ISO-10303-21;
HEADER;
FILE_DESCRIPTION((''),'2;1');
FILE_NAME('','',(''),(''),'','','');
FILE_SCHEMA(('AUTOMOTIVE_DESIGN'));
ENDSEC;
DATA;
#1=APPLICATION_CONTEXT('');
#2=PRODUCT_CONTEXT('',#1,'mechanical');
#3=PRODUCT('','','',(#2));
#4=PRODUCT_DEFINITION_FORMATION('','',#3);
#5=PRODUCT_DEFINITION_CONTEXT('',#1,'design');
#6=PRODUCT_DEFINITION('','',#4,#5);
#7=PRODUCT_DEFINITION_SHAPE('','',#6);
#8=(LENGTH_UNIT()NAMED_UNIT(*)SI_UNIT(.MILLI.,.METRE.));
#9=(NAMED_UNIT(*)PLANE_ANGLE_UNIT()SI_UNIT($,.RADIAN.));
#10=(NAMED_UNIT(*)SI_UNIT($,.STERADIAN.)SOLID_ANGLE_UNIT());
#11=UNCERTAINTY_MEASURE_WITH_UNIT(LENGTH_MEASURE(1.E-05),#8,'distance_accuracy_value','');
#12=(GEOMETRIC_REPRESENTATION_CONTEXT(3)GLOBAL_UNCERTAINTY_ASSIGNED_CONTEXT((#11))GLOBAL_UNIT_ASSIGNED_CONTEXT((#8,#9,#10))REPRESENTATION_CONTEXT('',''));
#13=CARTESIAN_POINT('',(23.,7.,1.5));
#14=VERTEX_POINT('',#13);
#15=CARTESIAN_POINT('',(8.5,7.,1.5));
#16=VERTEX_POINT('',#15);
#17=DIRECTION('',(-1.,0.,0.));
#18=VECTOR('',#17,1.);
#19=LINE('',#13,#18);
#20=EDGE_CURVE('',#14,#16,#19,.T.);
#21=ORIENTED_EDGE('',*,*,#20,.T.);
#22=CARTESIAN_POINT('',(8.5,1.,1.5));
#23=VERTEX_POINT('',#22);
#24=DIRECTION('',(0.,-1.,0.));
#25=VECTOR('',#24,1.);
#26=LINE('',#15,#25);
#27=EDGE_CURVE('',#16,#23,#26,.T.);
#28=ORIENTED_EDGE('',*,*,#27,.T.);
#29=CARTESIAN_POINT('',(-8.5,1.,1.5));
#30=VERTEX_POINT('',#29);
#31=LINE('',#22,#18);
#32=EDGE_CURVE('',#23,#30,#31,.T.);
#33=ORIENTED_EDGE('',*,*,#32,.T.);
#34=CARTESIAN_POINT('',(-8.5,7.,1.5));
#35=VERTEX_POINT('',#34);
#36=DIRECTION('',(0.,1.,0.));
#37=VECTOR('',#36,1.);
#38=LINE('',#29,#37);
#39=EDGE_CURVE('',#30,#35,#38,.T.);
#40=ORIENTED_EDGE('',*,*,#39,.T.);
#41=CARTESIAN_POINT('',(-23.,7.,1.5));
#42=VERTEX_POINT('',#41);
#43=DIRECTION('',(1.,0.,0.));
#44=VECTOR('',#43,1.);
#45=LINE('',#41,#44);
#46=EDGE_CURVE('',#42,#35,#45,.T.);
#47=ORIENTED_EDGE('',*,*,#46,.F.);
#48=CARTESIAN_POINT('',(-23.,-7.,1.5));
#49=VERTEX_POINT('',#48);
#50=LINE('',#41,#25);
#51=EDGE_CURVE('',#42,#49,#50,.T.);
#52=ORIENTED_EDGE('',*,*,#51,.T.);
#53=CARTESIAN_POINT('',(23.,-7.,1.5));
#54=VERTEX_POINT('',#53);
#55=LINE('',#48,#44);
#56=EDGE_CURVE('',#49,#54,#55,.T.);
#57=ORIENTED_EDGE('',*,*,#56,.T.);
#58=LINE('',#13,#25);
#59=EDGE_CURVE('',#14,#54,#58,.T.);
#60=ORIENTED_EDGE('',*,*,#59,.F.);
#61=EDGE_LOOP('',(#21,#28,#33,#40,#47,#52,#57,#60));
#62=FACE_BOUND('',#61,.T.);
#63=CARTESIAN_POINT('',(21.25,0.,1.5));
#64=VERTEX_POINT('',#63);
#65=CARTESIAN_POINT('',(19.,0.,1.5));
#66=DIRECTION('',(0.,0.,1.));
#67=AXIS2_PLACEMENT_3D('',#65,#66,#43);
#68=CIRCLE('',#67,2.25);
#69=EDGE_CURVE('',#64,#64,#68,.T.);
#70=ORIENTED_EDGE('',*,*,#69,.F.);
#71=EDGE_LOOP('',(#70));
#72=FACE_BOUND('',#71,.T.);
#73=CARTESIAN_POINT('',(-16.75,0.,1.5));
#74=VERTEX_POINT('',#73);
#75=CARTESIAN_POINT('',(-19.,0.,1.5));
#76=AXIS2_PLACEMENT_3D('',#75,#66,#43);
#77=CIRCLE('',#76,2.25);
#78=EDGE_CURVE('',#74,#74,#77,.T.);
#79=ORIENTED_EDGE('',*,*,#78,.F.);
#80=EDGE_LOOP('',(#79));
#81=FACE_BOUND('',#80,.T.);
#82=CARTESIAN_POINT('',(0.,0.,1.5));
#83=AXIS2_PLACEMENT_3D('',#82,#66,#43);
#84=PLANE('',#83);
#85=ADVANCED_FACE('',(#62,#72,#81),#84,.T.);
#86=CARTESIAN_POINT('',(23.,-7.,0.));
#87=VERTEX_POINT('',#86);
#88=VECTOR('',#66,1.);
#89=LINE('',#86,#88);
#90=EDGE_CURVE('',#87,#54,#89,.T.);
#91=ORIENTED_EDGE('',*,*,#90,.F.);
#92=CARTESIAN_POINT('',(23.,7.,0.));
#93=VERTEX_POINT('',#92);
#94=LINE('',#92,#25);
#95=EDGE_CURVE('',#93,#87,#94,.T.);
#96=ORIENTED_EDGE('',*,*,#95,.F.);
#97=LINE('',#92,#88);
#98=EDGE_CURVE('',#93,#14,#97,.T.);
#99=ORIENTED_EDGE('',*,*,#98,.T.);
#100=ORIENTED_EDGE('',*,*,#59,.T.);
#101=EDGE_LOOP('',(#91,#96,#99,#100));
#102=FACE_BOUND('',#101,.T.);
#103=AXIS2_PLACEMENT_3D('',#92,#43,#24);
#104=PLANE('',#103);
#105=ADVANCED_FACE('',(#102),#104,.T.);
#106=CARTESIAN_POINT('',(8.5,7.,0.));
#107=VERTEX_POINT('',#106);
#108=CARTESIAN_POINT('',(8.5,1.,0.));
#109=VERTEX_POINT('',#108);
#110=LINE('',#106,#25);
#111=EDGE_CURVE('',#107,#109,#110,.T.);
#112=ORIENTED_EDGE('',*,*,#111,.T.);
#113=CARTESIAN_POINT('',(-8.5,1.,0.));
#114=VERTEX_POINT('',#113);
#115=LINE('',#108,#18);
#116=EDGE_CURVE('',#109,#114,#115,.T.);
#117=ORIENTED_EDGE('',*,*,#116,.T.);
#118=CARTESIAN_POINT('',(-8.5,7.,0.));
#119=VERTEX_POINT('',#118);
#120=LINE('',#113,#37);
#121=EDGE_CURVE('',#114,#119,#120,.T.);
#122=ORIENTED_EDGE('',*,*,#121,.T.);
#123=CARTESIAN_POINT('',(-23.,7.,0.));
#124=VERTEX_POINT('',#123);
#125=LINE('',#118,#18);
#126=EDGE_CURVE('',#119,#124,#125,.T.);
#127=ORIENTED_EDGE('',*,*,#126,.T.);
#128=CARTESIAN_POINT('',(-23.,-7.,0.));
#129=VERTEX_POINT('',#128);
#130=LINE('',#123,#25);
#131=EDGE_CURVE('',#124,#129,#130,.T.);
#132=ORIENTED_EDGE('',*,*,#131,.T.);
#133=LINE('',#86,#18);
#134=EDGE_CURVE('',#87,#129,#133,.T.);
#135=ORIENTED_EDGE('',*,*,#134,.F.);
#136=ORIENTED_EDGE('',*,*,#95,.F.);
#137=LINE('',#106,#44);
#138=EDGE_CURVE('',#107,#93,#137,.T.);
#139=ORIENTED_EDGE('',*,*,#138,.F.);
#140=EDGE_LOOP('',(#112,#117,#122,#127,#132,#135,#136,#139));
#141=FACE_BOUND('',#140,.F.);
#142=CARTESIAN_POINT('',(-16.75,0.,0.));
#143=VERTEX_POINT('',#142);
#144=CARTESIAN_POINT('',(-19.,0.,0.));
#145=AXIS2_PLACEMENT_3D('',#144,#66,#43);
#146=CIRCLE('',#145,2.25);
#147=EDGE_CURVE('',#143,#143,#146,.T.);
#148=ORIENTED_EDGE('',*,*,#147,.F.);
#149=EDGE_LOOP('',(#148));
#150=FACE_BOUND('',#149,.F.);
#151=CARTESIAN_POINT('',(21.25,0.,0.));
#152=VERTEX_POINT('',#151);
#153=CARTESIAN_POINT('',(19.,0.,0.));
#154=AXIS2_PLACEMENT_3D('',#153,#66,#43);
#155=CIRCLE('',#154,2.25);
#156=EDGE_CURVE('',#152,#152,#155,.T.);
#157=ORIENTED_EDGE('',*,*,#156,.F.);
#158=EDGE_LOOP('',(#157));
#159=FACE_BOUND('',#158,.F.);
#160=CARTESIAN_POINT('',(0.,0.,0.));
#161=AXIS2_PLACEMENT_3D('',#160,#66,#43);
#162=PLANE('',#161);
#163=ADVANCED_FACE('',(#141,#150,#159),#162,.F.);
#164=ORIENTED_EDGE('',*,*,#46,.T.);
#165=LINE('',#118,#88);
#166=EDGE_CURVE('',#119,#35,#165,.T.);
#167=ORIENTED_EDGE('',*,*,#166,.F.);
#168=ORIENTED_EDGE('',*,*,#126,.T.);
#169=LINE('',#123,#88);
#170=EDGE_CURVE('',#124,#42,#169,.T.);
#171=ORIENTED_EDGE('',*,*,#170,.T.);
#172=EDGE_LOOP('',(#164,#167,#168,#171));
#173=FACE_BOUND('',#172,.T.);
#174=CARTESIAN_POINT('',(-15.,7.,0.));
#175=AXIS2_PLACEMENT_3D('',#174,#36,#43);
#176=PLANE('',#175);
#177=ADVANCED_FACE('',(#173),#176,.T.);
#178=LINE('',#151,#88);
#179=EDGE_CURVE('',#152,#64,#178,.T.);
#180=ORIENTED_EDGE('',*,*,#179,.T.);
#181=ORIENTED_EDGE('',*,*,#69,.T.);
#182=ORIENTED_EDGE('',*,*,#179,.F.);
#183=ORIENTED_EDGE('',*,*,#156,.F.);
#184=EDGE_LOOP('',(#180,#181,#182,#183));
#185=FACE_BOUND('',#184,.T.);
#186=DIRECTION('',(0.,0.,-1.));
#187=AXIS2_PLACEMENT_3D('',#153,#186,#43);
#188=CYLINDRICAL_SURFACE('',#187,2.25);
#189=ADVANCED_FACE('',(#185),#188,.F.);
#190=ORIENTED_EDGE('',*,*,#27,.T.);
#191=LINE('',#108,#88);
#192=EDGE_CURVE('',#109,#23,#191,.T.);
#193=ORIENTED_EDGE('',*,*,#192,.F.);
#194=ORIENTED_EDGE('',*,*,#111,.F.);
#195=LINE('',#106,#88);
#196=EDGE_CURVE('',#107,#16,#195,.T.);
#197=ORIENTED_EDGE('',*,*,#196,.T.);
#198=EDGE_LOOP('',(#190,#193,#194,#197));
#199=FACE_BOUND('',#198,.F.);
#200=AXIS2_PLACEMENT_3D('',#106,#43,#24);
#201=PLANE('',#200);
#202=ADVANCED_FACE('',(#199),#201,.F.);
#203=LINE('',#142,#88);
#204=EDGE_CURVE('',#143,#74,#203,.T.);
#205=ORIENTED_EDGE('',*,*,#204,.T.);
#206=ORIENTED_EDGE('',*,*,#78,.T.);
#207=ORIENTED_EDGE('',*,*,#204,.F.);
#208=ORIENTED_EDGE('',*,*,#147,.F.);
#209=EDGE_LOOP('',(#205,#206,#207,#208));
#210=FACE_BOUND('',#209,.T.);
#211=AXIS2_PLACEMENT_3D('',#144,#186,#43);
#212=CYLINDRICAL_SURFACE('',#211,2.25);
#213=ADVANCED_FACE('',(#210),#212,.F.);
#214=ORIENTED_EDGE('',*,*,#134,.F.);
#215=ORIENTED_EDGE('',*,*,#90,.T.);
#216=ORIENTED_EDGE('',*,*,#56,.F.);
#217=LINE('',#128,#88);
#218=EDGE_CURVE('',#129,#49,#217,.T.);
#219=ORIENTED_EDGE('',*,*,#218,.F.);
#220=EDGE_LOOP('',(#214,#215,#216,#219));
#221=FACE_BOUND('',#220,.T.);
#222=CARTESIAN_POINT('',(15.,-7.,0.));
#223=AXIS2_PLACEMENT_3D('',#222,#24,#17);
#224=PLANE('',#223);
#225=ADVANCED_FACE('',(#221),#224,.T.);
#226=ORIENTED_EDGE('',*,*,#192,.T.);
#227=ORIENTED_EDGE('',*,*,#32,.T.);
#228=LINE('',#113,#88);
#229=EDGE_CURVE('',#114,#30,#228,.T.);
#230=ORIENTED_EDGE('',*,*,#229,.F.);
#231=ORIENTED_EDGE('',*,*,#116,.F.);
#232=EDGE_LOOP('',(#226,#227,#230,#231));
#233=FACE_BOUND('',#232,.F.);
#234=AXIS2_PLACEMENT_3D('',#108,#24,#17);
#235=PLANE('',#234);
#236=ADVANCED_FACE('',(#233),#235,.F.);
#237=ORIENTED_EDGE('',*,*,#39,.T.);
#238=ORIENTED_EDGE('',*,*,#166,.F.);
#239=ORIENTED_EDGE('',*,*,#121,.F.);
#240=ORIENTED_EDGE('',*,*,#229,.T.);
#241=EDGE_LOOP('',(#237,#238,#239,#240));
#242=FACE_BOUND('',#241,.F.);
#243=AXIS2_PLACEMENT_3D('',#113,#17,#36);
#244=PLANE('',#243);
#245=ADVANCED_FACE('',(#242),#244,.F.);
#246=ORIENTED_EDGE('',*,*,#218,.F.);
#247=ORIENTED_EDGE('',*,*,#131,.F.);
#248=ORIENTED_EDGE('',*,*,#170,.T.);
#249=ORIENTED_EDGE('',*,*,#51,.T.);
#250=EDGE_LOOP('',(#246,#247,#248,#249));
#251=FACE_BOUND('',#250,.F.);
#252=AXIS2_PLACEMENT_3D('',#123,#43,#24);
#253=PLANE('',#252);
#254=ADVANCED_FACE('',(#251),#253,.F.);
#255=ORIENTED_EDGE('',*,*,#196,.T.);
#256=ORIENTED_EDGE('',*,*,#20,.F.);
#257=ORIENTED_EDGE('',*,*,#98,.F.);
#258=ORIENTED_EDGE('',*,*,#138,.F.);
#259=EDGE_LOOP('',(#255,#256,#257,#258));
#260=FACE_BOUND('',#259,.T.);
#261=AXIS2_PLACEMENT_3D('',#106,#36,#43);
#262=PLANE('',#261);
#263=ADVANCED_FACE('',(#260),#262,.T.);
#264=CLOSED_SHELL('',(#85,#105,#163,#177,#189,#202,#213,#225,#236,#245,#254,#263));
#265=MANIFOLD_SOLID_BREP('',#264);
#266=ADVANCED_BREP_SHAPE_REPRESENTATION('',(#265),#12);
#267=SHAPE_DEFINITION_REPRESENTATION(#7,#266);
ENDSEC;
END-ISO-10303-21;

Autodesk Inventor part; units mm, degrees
ref_plane "YZ Plane" through (0, 0, 0) normal (1, 0, 0) x (0, 1, 0)
ref_plane "XZ Plane" through (0, 0, 0) normal (0, 1, 0) x (-1, 0, 0)
ref_plane "XY Plane" through (0, 0, 0) normal (0, 0, 1) x (1, 0, 0)
sketch "Sketch1" plane through (0, 0, 0) normal (0, 0, 1) x (1, 0, 0)
  line L0 (-15, 7) -> (15, 7)
  line L1 (15, 7) -> (15, -7)
  line L2 (15, -7) -> (-15, -7)
  line L3 (-15, -7) -> (-15, 7)
  line L4 (-15, 7) -> (-23, 7)
  line L5 (-23, 7) -> (-23, -7)
  line L6 (-23, -7) -> (-15, -7)
  line L7 (-15, -7) -> (-15, 7)
  line L8 (15, 7) -> (23, 7)
  line L9 (23, 7) -> (23, -7)
  line L10 (23, -7) -> (15, -7)
  line L11 (15, -7) -> (15, 7)
  line L12 (-23, 0) -> (23, 0) construction
  circle A0 centre (-19, 0) radius 2.25
  circle A1 centre (19, 0) radius 2.25
  line L13 (0, 7) -> (0, -7) construction
  line L14 (-8.5, 7) -> (8.5, 7)
  line L15 (8.5, 7) -> (8.5, 1)
  line L16 (8.5, 1) -> (-8.5, 1)
  line L17 (-8.5, 1) -> (-8.5, 7)
  point P0 (0, 0)
  point P1 (0, 0)
  point P2 (0, 7)
  point P3 (0, 0)
  dimension "d0" = 14
  dimension "d1" = 30
  dimension "d2" = 4.5
  dimension "d3" = 4.5
  dimension "d4" = 4
  dimension "d5" = 4
  dimension "d6" = 4
  dimension "d7" = 4
  dimension "d10" = 17
  dimension "d11" = 6
extrude "Extrusion1" add sketch "Sketch1" along normal blind 1.5 contours L0 L17 L16 L15 L1 L2 L3 | L3 L6 L5 L4 | L1 L8 L9 L10
properties part number "MotorBar"
